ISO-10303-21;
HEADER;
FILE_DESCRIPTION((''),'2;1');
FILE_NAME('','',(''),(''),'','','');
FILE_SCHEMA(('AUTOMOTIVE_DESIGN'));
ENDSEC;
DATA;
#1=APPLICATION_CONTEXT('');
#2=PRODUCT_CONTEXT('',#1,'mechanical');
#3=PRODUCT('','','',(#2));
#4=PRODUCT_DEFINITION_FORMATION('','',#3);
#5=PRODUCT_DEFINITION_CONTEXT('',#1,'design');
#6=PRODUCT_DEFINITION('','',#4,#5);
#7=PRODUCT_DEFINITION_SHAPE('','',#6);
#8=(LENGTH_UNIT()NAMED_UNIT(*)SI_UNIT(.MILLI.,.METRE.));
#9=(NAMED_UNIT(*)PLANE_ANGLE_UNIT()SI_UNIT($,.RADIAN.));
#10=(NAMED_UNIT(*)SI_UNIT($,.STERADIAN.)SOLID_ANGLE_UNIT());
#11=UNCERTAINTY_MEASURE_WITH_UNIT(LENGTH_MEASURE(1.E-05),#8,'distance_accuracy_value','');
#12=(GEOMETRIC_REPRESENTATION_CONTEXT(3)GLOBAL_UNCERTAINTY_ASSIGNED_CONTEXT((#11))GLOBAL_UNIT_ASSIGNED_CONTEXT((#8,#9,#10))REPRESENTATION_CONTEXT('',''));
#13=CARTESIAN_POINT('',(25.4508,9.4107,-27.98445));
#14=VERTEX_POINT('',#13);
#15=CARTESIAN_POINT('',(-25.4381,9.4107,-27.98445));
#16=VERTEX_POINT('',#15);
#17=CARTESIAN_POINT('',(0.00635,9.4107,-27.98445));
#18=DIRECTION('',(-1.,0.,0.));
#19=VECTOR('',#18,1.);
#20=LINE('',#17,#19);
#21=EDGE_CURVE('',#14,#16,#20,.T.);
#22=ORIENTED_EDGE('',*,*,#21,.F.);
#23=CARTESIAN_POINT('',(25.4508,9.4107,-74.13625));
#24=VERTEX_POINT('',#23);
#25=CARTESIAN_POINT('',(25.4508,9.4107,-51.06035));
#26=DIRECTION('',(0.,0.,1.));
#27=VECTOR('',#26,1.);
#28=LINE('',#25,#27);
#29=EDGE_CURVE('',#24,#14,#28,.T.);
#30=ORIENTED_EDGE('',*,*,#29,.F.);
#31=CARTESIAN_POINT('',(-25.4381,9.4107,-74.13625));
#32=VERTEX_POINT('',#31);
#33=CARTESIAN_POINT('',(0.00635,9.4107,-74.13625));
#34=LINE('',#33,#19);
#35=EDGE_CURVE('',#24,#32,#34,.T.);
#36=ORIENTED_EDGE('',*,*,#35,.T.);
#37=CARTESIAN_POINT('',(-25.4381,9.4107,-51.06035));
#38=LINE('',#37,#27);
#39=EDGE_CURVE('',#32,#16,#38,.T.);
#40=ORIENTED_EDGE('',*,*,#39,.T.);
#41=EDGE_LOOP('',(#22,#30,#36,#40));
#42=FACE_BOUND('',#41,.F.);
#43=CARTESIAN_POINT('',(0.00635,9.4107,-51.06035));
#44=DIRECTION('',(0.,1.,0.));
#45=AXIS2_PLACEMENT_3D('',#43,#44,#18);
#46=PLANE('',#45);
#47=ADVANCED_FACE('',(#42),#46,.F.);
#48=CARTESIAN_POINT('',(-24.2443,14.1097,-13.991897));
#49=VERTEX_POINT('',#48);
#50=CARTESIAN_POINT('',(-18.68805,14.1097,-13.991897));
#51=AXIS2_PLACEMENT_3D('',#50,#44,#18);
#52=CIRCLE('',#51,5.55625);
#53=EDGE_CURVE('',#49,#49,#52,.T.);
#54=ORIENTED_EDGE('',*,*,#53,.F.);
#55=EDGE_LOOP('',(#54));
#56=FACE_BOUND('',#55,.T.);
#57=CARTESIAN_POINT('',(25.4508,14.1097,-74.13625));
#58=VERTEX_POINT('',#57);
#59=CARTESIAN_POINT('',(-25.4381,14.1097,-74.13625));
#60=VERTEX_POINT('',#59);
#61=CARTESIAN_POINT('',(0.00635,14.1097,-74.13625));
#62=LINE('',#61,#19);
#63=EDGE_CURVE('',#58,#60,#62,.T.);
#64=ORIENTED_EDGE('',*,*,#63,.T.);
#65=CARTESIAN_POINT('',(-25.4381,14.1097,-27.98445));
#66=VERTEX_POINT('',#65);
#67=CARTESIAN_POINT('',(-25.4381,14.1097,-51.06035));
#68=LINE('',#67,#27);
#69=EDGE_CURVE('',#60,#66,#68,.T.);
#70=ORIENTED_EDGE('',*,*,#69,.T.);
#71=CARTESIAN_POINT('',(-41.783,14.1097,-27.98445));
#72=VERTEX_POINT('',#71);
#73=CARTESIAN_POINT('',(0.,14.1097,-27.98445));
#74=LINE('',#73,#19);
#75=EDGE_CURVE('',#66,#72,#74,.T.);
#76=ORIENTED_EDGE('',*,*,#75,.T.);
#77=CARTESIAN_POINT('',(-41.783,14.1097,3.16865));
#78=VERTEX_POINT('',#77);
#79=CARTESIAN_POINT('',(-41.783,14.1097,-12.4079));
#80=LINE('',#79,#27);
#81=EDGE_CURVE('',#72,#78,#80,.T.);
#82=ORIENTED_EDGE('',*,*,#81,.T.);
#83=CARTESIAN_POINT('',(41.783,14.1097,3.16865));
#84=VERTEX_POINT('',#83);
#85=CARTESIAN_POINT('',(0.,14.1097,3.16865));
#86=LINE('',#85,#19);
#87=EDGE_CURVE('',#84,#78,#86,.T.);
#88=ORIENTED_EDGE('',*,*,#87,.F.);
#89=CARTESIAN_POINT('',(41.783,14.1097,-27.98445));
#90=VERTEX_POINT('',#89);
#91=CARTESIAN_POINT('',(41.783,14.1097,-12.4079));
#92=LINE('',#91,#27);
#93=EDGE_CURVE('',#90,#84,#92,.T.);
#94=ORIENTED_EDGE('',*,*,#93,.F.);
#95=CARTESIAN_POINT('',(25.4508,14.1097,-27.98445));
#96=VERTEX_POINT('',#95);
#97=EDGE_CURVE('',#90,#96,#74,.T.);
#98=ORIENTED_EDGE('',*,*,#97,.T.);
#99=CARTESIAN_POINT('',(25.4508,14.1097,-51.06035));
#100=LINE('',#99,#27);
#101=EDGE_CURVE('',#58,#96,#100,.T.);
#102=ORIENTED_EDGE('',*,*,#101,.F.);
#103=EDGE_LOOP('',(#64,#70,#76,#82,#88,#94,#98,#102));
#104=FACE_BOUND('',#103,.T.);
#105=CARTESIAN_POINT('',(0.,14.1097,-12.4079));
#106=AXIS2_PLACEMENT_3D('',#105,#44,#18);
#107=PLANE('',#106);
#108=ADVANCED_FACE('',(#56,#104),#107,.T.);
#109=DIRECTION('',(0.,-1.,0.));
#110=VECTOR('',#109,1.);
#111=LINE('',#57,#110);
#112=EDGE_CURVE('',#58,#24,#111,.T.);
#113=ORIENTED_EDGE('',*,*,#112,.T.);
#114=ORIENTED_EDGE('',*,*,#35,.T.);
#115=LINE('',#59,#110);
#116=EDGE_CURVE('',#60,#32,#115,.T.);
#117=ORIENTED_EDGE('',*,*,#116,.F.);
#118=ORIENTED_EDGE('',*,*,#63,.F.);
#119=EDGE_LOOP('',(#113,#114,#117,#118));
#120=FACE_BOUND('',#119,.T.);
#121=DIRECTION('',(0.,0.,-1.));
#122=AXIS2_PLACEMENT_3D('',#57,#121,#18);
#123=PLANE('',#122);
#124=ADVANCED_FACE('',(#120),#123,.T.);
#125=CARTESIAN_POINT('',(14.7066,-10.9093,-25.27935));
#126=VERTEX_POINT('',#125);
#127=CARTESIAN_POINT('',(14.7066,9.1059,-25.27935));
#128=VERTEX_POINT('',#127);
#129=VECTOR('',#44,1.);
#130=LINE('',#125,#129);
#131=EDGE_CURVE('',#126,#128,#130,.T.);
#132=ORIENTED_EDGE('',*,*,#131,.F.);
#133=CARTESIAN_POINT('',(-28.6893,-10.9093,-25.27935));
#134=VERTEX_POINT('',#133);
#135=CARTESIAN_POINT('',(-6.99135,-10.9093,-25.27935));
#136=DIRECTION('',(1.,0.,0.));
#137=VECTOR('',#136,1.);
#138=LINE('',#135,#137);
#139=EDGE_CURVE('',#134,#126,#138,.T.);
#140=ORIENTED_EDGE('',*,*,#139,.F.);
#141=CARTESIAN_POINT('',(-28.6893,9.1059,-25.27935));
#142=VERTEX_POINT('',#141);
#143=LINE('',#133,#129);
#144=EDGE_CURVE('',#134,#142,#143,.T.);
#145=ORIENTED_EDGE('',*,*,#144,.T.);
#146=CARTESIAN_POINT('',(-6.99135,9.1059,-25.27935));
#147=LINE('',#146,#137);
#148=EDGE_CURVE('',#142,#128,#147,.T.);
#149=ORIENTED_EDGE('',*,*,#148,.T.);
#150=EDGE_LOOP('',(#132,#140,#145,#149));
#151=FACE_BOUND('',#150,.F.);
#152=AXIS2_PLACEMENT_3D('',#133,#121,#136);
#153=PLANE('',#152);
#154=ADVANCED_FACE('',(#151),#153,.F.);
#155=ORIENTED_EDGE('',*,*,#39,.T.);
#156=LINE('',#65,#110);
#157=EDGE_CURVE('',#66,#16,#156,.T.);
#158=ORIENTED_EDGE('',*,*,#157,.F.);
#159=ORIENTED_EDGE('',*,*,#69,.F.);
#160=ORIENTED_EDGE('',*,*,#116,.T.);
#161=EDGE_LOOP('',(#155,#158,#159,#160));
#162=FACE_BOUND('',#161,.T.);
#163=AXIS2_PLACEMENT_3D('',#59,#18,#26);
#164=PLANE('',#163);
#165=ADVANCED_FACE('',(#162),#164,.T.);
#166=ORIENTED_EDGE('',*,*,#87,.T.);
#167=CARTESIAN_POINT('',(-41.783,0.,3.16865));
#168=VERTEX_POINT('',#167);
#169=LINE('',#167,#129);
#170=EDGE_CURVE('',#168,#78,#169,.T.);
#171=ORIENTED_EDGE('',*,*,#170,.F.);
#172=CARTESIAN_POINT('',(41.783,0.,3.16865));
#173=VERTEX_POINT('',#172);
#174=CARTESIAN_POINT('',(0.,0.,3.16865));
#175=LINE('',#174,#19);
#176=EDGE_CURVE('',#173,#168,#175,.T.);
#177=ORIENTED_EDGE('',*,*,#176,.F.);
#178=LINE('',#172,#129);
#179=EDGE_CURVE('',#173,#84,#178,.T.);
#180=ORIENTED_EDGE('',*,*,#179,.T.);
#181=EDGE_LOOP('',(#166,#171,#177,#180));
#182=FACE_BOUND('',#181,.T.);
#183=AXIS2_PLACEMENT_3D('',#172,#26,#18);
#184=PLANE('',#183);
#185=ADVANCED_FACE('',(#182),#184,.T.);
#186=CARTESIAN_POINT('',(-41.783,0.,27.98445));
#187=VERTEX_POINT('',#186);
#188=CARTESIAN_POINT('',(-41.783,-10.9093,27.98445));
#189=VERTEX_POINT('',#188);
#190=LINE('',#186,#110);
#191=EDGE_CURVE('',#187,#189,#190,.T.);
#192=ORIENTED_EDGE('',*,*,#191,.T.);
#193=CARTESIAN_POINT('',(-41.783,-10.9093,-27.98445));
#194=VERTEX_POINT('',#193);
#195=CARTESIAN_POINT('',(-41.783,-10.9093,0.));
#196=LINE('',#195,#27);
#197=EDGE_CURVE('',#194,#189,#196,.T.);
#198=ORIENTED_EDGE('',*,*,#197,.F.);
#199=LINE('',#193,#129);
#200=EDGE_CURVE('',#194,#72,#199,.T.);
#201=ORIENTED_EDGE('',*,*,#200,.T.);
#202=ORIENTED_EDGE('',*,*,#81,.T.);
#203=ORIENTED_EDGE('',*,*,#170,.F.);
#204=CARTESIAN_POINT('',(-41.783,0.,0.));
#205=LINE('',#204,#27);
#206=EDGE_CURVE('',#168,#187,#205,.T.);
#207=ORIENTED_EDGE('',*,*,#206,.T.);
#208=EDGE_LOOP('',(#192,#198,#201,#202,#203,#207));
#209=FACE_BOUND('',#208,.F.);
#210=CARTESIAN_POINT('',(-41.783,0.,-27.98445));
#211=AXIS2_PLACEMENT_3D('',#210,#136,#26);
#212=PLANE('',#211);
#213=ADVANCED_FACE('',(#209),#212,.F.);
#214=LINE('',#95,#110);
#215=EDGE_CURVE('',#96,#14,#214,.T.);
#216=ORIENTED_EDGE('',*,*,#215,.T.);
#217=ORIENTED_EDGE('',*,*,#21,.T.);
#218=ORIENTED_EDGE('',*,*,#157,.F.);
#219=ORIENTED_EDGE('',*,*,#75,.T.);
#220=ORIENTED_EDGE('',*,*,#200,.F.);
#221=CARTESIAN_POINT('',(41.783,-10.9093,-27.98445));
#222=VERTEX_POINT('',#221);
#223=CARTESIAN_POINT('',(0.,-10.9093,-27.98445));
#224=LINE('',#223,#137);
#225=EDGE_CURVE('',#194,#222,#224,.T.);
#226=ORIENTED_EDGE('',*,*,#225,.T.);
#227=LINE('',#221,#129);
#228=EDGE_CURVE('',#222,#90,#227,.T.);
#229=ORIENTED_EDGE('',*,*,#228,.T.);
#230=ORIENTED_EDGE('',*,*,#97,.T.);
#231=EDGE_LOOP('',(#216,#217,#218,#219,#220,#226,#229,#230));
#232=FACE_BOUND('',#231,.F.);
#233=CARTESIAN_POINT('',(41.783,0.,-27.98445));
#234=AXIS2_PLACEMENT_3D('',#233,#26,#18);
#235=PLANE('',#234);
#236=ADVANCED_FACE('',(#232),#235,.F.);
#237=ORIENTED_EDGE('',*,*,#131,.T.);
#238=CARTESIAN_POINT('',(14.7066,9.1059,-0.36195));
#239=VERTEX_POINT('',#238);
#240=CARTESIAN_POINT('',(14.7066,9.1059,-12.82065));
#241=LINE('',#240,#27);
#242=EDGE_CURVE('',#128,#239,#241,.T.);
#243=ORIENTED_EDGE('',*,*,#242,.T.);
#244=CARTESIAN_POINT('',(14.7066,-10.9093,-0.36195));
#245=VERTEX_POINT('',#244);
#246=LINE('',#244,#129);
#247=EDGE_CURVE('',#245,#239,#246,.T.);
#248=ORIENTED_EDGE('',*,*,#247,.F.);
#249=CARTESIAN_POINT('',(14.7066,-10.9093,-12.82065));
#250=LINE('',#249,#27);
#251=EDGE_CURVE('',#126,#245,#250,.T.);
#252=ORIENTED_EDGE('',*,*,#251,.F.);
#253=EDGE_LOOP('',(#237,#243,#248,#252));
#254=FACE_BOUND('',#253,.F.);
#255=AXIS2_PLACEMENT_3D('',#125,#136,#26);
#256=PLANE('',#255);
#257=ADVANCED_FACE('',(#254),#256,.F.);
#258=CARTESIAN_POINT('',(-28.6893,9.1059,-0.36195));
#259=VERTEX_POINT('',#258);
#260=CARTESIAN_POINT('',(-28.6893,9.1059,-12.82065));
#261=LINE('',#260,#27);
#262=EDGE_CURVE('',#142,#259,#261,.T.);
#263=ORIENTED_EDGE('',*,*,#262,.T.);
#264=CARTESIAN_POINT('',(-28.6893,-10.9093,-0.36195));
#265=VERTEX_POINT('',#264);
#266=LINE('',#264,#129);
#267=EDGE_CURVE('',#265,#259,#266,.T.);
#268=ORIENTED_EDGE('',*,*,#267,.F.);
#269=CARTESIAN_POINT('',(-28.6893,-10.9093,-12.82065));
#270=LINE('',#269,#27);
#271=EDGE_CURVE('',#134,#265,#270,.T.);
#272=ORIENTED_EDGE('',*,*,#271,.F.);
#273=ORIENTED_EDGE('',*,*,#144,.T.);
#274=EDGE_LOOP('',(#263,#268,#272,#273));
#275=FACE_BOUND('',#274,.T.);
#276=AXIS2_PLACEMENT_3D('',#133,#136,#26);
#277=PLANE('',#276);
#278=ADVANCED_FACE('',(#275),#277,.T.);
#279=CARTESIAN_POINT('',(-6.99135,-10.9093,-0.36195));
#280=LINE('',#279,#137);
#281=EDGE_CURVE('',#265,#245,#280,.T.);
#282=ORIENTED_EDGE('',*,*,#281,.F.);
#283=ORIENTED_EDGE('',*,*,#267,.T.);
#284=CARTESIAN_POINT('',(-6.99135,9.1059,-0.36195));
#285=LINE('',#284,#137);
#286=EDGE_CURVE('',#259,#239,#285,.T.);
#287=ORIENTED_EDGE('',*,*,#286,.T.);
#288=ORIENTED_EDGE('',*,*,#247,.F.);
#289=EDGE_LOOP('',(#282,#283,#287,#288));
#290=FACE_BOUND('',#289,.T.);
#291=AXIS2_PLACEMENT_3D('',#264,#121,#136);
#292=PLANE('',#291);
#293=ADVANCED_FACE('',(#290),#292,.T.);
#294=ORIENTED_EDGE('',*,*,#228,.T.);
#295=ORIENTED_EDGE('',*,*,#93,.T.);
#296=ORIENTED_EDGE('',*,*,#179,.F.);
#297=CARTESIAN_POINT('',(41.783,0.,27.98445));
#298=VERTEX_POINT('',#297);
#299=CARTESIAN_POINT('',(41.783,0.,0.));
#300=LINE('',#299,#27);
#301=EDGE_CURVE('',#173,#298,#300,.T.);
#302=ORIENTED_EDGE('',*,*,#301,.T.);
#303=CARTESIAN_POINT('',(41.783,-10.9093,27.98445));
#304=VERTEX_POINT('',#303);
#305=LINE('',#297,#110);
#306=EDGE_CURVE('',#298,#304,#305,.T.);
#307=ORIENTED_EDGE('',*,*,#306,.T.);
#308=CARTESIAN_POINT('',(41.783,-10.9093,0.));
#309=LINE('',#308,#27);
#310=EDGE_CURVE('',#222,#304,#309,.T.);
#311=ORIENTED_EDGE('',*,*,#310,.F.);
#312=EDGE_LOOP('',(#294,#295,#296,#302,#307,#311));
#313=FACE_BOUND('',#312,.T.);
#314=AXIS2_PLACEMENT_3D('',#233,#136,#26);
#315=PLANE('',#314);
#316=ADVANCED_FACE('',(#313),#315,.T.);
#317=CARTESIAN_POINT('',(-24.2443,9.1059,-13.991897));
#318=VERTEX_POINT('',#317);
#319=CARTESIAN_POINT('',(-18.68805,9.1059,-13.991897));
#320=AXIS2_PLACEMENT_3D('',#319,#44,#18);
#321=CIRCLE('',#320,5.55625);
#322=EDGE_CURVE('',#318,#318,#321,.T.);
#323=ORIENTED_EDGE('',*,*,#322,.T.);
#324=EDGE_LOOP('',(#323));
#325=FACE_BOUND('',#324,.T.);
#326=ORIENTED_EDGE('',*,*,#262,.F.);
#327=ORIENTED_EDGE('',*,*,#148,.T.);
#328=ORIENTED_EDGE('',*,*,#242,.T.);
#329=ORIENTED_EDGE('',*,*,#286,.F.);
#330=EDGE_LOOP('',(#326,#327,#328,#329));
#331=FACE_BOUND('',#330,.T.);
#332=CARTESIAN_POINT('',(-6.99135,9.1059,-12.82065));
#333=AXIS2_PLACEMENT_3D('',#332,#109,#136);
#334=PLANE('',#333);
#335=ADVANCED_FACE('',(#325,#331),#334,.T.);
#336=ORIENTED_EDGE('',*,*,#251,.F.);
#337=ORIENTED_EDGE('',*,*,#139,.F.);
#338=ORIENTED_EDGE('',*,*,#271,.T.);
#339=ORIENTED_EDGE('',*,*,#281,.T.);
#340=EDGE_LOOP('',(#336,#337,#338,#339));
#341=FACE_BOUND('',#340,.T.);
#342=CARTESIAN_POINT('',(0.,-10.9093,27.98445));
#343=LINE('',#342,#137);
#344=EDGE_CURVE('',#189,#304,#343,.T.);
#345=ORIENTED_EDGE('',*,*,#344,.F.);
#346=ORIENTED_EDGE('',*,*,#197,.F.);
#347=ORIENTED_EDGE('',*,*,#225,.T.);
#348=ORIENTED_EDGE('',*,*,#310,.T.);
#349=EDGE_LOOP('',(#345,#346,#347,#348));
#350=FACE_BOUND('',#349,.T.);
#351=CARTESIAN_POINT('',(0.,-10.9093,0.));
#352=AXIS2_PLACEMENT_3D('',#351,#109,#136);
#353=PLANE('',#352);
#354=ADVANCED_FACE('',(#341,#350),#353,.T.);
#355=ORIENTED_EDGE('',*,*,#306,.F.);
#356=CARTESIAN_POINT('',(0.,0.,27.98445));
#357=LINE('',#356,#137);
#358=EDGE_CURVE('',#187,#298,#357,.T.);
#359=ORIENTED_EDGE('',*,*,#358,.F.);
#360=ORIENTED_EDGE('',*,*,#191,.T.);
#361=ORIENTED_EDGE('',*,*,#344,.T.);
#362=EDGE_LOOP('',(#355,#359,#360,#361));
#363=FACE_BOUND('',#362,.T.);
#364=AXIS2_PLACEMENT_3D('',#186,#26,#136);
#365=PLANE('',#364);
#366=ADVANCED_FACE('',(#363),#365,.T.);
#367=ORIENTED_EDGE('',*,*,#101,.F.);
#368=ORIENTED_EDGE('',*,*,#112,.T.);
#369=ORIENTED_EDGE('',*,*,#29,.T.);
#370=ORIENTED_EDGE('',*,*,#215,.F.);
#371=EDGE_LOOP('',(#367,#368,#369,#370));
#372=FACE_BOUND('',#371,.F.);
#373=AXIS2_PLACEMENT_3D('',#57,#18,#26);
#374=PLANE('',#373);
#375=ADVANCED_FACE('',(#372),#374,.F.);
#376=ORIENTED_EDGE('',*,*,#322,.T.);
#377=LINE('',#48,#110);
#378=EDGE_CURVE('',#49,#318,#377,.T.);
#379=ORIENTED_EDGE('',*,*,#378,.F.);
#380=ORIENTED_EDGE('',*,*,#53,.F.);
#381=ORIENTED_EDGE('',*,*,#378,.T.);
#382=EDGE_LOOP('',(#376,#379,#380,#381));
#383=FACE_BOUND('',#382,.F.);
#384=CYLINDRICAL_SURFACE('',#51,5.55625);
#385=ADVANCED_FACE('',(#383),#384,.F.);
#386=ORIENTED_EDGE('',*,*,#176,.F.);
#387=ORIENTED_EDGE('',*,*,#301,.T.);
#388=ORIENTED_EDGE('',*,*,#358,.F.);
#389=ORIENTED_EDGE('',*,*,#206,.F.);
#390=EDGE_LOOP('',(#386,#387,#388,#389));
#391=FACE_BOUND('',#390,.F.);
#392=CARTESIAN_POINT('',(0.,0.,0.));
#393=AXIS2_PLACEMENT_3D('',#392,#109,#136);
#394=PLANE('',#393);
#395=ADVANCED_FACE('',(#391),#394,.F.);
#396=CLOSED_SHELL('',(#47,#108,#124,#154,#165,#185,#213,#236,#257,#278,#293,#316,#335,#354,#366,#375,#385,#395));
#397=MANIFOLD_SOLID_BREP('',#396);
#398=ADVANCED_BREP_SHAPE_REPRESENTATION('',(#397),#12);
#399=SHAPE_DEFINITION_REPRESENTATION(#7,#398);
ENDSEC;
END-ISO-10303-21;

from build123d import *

# Parameters (mm, degrees)
F0_W     = 83.566
F0_H     = 55.9689
F1_DEPTH = 10.9093
F2_W     = 83.566
F2_H     = 31.1531
F3_DEPTH = 14.1097
F4_W     = 50.8889
F4_H     = 46.1518
F5_DEPTH = 4.699
F6_W     = 43.3959
F6_H     = 24.9174
F7_DEPTH = 20.0152
F8_R     = 5.55625
F9_DEPTH = 25.4


with BuildPart() as f1:
    # F0 (on Front) → F1 (new body)
    with BuildSketch(Plane.XZ):
        Rectangle(F0_W, F0_H)
    extrude(amount=F1_DEPTH)

    # F2 (on face) → F3 (join)
    with BuildSketch(Plane(origin=(0, 0, 0), x_dir=(-1, 0, 0), z_dir=(0, 1, 0))):
        with Locations((0, -12.4079)):
            Rectangle(F2_W, F2_H)
    extrude(amount=F3_DEPTH)

    # F4 (on face) → F5 (join)
    with BuildSketch(Plane(origin=(0, 14.1097, 0), x_dir=(-1, 0, 0), z_dir=(0, 1, 0))):
        with Locations((-0.00635, -51.06035)):
            Rectangle(F4_W, F4_H)
    extrude(amount=-F5_DEPTH)

    # F6 (on face) → F7 (cut)
    with BuildSketch(Plane.XZ.offset(10.9093)):
        with Locations((-6.99135, -12.82065)):
            Rectangle(F6_W, F6_H)
    extrude(amount=-F7_DEPTH, mode=Mode.SUBTRACT)

    # F8 (on face) → F9 (cut)
    with BuildSketch(Plane(origin=(0, 14.1097, 0), x_dir=(-1, 0, 0), z_dir=(0, 1, 0))):
        with Locations((18.68805, -13.991897)):
            Circle(F8_R)
    extrude(amount=-F9_DEPTH, mode=Mode.SUBTRACT)


solid = f1.part
